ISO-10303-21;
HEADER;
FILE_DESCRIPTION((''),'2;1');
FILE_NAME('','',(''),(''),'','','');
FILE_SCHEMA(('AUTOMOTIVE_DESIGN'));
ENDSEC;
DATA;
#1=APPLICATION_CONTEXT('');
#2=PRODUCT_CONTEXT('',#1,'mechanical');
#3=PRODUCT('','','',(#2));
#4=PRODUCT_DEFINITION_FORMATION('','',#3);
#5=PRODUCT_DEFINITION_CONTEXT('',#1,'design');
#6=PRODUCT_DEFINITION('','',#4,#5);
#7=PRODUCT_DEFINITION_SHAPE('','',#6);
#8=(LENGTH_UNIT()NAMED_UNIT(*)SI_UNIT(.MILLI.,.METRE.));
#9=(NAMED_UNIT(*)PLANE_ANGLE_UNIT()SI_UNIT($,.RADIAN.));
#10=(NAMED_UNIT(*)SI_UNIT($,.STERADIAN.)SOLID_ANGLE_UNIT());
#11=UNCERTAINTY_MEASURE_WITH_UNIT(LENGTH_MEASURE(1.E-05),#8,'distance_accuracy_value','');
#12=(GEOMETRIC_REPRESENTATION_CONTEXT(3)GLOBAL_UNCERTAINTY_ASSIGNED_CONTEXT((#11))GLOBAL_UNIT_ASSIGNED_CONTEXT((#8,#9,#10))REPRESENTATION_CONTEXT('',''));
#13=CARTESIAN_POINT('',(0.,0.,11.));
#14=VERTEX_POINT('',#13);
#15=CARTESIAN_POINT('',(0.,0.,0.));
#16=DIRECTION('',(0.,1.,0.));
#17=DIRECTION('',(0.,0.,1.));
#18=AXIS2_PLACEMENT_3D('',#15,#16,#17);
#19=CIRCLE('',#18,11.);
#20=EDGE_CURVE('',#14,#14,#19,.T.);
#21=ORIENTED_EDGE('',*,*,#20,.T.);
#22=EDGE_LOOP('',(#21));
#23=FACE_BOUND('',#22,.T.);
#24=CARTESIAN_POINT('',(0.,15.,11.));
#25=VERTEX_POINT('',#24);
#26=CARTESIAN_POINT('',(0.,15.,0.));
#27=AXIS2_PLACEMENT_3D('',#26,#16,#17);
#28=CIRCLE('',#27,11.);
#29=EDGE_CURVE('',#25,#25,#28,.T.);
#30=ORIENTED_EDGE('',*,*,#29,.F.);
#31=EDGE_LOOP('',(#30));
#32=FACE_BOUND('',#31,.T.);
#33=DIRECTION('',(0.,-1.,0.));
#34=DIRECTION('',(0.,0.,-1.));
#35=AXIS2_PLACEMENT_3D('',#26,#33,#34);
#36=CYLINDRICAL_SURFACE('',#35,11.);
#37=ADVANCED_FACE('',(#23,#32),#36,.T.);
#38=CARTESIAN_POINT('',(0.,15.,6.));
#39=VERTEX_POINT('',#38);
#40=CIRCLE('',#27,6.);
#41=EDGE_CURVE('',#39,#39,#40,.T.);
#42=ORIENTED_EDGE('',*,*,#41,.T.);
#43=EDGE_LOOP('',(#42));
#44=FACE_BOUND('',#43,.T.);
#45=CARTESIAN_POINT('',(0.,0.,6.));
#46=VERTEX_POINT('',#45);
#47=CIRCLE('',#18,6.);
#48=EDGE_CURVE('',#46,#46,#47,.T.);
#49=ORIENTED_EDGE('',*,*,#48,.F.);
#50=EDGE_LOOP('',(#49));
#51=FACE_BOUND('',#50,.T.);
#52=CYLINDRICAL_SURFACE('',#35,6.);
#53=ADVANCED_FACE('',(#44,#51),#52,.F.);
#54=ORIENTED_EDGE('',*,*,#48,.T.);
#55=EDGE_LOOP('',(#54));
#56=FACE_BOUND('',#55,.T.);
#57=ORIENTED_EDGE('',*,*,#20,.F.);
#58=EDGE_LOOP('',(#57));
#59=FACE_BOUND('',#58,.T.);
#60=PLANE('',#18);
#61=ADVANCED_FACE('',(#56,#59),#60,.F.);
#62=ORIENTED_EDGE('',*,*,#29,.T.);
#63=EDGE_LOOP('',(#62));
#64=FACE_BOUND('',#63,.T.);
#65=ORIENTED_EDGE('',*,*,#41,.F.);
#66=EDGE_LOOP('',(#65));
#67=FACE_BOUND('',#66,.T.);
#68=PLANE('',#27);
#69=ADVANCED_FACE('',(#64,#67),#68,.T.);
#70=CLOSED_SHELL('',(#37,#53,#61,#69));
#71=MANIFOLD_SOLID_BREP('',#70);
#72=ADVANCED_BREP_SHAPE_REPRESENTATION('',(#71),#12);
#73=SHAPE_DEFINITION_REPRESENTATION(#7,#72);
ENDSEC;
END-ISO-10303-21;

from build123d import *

# Parameters (mm, degrees)
SKETCH1_R           = 11
SKETCH1_R_2         = 6
BOSS_EXTRUDE1_DEPTH = 15


with BuildPart() as part:
    # Sketch1 → Boss-Extrude1 (new body)
    with BuildSketch(Plane(origin=(0, 0, 0), x_dir=(1, 0, 0), z_dir=(0, 1, 0))):
        with Locations(Location((0, 0, 0), (0, 0, 270))):
            Circle(SKETCH1_R)
        with Locations(Location((0, 0, 0), (0, 0, 270))):
            Circle(SKETCH1_R_2, mode=Mode.SUBTRACT)
    extrude(amount=BOSS_EXTRUDE1_DEPTH)


solid = part.part
